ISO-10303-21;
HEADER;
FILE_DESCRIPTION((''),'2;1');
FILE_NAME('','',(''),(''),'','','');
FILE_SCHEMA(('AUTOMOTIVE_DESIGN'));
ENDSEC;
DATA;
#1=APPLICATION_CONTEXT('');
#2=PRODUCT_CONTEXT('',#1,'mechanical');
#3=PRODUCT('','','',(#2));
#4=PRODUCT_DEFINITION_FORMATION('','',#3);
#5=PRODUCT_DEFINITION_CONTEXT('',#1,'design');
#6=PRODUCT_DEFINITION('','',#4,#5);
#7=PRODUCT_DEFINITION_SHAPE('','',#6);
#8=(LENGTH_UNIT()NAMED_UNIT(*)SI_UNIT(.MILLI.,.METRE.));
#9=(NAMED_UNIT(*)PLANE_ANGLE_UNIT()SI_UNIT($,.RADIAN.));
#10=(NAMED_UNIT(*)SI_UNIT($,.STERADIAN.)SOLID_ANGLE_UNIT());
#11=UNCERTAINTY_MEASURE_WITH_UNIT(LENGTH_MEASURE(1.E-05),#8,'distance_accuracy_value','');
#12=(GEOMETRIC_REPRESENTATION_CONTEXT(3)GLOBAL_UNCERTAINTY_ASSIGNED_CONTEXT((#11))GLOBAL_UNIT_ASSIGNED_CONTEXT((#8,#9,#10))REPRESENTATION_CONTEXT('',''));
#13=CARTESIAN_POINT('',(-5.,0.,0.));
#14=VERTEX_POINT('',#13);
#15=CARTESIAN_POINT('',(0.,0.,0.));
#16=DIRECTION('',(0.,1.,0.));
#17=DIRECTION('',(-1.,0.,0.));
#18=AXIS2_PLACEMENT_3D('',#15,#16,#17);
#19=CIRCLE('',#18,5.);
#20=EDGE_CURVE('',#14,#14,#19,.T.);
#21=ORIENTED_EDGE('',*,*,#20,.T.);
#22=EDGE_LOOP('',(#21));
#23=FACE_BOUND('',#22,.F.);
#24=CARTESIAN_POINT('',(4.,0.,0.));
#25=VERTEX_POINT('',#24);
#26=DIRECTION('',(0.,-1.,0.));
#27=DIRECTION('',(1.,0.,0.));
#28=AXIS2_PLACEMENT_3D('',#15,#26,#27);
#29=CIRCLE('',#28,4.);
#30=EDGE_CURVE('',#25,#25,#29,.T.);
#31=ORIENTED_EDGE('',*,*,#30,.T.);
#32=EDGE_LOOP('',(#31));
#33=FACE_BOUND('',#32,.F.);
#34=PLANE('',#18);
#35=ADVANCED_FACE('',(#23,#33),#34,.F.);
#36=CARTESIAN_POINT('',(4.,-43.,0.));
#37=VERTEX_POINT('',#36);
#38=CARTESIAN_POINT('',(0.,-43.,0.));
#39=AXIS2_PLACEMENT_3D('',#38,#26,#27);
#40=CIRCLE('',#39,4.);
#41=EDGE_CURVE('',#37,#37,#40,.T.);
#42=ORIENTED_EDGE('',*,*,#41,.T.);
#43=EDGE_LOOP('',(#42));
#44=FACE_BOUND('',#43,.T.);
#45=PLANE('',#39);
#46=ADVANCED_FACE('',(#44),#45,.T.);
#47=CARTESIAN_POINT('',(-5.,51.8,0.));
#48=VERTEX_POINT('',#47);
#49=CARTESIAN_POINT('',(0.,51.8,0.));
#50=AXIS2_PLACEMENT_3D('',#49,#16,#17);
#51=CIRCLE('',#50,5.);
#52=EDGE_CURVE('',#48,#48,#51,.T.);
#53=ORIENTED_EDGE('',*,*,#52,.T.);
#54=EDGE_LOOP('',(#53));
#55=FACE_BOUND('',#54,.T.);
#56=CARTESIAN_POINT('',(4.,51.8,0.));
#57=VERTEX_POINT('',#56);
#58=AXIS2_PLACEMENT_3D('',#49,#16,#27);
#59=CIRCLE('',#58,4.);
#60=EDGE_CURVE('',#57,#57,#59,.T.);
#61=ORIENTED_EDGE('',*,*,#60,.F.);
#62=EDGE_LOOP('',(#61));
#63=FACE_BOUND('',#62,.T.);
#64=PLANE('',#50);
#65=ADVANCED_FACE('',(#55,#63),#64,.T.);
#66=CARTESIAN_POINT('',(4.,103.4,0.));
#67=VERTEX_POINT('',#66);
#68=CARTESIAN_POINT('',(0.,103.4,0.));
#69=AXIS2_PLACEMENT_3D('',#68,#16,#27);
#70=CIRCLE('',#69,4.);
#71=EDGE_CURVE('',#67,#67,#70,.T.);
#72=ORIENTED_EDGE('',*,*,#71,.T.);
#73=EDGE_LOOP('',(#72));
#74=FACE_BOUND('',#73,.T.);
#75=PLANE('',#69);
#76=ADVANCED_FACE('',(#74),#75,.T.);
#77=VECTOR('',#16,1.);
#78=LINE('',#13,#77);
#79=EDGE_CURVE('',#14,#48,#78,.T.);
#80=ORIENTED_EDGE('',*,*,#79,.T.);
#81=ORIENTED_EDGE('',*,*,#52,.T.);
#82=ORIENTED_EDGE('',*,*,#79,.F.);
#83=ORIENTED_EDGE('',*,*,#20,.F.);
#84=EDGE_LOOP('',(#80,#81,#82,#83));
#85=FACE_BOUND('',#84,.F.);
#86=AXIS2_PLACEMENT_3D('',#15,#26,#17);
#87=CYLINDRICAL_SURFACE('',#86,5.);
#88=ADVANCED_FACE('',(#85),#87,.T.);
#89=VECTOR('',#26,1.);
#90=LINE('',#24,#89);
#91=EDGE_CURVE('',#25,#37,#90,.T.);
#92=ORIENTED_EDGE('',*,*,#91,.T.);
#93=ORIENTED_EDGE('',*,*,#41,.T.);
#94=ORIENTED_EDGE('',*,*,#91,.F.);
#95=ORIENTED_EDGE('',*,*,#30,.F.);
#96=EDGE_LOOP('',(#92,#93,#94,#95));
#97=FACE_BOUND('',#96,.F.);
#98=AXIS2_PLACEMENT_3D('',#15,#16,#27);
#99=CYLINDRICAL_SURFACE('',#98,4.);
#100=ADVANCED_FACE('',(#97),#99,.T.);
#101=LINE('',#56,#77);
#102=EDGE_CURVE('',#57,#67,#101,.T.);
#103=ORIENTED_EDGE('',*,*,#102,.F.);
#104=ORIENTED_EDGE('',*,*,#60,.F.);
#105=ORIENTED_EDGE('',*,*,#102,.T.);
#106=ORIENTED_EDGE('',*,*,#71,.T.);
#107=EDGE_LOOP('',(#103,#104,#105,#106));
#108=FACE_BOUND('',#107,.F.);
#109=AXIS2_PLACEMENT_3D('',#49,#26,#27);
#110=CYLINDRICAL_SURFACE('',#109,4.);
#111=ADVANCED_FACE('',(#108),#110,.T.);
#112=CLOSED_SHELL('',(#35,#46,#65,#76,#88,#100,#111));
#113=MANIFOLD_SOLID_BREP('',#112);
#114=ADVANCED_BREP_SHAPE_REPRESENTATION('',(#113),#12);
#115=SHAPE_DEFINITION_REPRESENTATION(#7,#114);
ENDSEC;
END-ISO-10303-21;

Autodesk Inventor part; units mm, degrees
ref_plane "YZ Plane" through (0, 0, 0) normal (1, 0, 0) x (0, 1, 0)
ref_plane "XZ Plane" through (0, 0, 0) normal (0, 1, 0) x (-1, 0, 0)
ref_plane "XY Plane" through (0, 0, 0) normal (0, 0, 1) x (1, 0, 0)
sketch "スケッチ1" plane through (0, 0, 0) normal (0, 1, 0) x (-1, 0, 0)
  circle A0 centre (0, 0) radius 5
  dimension "d0" = 10
extrude "押し出し1" add sketch "スケッチ1" along normal blind 51.8
sketch "スケッチ2" plane through (0, 51.8, 0) normal (0, 1, 0) x (1, 0, 0)
  circle A0 centre (0, 0) radius 4
  dimension "d3" = 8
extrude "押し出し2" add sketch "スケッチ2" along normal blind 51.6
sketch "スケッチ3" plane through (0, 0, 0) normal (0, -1, 0) x (1, 0, 0)
  circle A0 centre (0, 0) radius 5 projected
  circle A1 centre (0, 0) radius 4
  dimension "d6" = 8
extrude "押し出し3" add sketch "スケッチ3" along normal blind 43 contours A1
properties part number "elbow_shaft3"
